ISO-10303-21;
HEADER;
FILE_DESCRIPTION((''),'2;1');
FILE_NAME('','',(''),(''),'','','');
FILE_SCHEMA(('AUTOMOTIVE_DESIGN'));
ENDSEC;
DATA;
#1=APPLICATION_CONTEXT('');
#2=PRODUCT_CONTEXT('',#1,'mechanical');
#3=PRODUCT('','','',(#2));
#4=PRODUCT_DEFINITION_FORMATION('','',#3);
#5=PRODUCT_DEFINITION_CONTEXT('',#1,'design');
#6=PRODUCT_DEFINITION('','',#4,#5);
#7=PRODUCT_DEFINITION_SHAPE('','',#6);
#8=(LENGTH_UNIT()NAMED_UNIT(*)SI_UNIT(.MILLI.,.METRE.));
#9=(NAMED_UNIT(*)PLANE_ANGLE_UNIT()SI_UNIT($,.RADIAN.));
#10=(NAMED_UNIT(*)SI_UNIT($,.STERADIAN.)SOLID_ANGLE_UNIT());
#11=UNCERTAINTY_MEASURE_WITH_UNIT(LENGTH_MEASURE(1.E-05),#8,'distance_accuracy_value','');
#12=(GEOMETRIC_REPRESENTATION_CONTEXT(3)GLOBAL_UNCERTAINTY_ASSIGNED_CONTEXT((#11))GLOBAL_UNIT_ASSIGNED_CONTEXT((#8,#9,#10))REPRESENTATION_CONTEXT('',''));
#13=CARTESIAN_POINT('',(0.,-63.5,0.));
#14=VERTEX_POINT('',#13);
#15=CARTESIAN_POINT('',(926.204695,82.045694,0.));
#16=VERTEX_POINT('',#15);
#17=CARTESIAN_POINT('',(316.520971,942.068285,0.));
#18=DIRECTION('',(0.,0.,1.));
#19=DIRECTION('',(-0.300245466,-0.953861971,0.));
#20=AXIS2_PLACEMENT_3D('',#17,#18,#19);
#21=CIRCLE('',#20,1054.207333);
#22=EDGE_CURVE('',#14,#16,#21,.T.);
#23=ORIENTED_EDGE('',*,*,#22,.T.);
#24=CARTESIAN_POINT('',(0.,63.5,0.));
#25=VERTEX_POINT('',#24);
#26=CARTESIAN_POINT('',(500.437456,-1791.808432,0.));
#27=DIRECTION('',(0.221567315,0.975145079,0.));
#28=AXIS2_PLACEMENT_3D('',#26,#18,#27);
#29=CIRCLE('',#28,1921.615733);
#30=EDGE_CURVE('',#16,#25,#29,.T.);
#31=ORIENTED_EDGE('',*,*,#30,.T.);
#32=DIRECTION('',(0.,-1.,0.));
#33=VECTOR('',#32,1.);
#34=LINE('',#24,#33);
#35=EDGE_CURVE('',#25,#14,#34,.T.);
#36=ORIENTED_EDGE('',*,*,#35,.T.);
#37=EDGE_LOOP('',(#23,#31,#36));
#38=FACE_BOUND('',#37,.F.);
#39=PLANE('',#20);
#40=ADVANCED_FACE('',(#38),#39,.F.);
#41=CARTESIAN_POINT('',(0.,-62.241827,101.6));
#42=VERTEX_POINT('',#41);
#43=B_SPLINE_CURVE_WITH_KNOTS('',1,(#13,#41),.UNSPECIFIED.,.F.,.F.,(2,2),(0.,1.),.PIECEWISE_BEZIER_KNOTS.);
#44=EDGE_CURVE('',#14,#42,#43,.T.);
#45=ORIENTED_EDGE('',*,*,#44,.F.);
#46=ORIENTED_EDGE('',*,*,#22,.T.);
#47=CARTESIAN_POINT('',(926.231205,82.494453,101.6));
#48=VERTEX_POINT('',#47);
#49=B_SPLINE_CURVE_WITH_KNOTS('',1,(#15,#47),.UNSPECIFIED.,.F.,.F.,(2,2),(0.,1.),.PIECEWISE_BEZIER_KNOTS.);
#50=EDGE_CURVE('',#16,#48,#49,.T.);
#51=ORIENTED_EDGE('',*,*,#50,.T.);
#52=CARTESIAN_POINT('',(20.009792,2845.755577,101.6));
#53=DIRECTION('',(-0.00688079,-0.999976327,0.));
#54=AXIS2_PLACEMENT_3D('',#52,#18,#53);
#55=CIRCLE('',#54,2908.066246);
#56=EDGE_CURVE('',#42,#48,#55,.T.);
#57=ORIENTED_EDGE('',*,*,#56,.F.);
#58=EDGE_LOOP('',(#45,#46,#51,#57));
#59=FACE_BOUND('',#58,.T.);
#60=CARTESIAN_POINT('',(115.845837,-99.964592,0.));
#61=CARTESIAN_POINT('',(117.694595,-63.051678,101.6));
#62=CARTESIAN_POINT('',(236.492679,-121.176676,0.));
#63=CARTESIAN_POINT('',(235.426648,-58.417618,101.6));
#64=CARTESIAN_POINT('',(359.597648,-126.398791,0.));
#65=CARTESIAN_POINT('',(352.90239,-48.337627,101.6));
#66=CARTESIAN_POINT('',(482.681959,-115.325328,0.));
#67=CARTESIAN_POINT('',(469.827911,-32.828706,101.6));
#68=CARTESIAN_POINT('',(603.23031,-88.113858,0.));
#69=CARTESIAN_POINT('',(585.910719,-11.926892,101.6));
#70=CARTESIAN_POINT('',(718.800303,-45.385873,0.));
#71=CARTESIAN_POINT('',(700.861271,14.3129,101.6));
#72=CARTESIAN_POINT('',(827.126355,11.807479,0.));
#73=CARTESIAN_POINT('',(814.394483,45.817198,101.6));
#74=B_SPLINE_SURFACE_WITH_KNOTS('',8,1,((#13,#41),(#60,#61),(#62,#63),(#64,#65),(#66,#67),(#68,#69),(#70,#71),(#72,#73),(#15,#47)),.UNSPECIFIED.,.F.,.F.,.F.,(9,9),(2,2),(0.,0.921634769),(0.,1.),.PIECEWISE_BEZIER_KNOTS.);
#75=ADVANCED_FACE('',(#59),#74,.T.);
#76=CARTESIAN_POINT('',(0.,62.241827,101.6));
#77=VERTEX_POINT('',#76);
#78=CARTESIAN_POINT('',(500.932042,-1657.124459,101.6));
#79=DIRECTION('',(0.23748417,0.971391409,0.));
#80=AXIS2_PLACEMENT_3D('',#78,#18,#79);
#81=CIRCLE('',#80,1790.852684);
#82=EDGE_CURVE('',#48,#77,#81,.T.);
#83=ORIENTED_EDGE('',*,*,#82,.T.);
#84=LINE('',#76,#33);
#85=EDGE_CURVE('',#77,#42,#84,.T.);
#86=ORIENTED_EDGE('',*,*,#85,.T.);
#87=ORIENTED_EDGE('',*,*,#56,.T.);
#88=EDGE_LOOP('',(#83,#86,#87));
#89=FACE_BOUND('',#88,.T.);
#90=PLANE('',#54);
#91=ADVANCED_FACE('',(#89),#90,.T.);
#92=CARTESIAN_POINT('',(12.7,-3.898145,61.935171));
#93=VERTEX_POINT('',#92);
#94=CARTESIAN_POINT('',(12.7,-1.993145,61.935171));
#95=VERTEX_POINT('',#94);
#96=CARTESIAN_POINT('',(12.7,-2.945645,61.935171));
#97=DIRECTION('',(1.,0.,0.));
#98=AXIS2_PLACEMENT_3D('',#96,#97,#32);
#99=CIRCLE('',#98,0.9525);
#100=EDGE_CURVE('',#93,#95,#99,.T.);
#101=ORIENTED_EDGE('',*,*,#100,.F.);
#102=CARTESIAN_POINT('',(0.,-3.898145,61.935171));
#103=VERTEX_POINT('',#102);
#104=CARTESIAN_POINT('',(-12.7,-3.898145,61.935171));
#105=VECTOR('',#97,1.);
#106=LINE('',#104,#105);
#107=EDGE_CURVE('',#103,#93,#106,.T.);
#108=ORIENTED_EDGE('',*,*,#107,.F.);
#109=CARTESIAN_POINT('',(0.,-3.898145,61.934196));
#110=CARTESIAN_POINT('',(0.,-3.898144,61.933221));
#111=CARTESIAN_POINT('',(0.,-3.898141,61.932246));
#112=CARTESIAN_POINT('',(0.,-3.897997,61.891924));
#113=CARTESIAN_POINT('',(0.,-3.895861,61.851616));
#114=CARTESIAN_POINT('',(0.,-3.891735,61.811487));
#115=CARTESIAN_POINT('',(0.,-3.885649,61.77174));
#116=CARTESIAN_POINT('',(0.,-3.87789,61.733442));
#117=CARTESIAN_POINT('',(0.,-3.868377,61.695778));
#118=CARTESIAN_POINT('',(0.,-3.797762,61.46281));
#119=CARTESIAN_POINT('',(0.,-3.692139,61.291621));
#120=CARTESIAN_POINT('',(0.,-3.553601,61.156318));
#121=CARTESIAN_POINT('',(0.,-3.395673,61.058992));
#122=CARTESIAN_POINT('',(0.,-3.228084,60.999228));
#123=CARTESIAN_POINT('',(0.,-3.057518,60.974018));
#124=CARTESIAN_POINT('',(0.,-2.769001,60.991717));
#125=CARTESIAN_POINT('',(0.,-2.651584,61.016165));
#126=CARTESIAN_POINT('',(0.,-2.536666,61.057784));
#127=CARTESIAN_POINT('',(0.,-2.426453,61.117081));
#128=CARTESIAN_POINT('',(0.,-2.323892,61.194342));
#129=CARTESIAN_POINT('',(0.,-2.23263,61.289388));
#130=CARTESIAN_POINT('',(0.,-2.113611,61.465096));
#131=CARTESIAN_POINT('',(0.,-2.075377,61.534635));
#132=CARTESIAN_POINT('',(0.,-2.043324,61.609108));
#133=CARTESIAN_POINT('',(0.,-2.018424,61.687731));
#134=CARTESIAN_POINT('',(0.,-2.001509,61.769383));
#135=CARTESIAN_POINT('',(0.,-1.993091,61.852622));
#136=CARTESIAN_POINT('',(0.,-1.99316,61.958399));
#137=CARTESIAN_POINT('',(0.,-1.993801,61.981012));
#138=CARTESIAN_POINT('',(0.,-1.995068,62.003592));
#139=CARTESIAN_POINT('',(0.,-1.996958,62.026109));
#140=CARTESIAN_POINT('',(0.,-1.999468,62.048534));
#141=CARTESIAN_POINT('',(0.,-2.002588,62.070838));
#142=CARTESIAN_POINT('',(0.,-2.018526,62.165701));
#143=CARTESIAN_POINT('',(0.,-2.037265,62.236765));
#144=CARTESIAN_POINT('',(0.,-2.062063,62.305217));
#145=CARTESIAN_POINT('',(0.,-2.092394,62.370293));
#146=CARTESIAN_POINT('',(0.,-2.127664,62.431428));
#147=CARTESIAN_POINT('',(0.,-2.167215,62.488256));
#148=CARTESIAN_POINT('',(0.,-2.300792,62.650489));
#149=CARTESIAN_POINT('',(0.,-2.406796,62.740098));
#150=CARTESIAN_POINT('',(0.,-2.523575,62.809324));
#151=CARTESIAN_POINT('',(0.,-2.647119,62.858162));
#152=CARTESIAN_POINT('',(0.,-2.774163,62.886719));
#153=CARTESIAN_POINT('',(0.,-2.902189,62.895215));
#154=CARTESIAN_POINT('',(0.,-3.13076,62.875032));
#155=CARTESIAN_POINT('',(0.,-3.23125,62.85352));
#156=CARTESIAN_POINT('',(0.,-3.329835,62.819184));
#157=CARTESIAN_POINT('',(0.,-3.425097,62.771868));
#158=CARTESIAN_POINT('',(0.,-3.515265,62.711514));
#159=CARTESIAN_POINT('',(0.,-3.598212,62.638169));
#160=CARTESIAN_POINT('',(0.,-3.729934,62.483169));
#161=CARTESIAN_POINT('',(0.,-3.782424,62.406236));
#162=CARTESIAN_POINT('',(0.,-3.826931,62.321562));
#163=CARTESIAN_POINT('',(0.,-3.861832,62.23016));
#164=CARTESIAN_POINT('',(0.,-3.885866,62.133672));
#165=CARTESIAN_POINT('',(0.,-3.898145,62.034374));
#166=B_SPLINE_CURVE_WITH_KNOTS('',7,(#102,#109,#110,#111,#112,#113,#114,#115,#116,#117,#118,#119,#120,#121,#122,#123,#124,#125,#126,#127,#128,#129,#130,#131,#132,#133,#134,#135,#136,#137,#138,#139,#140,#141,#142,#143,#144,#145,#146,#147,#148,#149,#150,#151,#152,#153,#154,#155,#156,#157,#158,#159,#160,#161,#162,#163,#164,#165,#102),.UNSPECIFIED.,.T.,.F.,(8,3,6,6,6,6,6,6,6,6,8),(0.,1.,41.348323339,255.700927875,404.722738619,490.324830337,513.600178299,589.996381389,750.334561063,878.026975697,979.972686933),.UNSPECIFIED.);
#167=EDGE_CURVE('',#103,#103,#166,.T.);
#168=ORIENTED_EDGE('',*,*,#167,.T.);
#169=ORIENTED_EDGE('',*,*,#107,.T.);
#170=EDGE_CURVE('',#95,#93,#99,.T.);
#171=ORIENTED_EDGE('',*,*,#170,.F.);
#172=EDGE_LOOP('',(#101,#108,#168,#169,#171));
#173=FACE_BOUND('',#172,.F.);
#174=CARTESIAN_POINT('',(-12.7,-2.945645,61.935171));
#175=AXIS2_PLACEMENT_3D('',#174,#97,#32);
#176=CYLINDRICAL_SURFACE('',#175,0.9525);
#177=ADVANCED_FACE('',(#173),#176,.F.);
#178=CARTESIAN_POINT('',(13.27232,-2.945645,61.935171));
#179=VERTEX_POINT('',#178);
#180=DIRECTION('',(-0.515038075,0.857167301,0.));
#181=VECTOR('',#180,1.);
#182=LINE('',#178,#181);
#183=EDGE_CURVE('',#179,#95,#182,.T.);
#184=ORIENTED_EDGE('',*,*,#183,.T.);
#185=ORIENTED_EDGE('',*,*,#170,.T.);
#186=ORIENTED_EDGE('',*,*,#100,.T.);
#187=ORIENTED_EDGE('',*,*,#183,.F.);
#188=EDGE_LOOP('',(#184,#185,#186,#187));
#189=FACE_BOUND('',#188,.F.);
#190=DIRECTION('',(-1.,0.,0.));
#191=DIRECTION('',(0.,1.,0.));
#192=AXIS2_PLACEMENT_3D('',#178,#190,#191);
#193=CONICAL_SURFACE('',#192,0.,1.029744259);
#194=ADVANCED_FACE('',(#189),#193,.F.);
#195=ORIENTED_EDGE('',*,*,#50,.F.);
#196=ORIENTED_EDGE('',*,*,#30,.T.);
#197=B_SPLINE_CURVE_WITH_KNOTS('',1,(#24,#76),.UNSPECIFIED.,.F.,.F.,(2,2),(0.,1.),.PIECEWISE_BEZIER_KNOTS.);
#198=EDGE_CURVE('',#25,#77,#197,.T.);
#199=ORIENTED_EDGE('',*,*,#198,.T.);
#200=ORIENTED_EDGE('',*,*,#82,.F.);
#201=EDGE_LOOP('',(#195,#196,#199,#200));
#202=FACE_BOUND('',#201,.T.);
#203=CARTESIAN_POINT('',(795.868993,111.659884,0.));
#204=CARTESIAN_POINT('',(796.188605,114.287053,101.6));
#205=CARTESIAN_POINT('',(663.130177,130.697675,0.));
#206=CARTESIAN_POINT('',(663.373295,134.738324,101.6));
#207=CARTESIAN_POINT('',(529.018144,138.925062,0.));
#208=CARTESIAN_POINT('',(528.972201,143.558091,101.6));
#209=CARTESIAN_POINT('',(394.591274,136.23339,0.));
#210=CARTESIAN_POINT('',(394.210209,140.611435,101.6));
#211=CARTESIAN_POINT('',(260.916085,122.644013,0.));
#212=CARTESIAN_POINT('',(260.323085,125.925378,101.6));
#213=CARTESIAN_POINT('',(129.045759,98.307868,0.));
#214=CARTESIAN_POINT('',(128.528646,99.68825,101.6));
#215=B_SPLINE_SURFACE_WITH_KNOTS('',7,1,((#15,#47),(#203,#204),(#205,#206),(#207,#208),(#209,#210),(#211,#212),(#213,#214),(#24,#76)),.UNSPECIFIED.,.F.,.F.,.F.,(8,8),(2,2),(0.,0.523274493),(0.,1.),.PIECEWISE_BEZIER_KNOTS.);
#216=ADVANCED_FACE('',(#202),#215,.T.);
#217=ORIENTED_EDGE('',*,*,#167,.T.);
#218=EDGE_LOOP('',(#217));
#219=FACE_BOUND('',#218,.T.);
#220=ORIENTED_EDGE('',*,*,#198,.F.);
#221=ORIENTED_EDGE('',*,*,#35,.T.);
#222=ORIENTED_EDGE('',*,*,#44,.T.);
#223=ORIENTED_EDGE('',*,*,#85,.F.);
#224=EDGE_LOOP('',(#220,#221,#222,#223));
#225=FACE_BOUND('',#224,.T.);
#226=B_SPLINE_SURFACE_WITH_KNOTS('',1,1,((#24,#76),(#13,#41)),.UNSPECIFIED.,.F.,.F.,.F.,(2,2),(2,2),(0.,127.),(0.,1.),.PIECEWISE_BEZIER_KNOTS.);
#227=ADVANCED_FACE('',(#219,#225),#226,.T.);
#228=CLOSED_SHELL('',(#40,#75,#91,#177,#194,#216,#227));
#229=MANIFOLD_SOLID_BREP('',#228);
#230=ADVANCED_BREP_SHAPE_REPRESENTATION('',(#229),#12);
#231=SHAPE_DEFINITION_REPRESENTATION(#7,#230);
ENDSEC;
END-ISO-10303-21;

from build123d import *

# Parameters (mm, degrees)
F5_D     = 1.905
F5_DEPTH = 12.7
F5_TIP   = 0.5723197396


with BuildPart() as f3:
    # F0 (on Top) → F3 section 0
    with BuildSketch(Plane.XY):
        with BuildLine():
            ThreePointArc((0, -63.5), (480.1730019381, -99.3591556176), (926.2046953683, 82.0456935114))
            ThreePointArc((926.2046953683, 82.0456935114), (461.9680395869, 129.4221969171), (0, 63.5))
            Line((0, 63.5), (0, -63.5))
        make_face()
    # F2 (on offset) → F3 section 1
    with BuildSketch(Plane.XY.offset(101.6)):
        with BuildLine():
            ThreePointArc((0, -62.2418266971), (468.9863026784, -27.4428819693), (926.2312054634, 82.4944525957))
            ThreePointArc((926.2312054634, 82.4944525957), (461.7832835069, 133.3002700176), (0, 62.2418266971))
            Line((0, 62.2418266971), (0, -62.2418266971))
        make_face()
    loft()

    # F5
    with Locations(Plane(origin=(0, 0, 0), x_dir=(0, 1, 0), z_dir=(-1, 0, 0))):
        with Locations((-2.945644781, -61.9351714849)):
            Hole(F5_D / 2, depth=F5_DEPTH)
            with Locations((0, 0, -(F5_DEPTH + F5_TIP / 2))):  # 118° drill point
                Cone(0, F5_D / 2, F5_TIP, mode=Mode.SUBTRACT)


solid = f3.part
